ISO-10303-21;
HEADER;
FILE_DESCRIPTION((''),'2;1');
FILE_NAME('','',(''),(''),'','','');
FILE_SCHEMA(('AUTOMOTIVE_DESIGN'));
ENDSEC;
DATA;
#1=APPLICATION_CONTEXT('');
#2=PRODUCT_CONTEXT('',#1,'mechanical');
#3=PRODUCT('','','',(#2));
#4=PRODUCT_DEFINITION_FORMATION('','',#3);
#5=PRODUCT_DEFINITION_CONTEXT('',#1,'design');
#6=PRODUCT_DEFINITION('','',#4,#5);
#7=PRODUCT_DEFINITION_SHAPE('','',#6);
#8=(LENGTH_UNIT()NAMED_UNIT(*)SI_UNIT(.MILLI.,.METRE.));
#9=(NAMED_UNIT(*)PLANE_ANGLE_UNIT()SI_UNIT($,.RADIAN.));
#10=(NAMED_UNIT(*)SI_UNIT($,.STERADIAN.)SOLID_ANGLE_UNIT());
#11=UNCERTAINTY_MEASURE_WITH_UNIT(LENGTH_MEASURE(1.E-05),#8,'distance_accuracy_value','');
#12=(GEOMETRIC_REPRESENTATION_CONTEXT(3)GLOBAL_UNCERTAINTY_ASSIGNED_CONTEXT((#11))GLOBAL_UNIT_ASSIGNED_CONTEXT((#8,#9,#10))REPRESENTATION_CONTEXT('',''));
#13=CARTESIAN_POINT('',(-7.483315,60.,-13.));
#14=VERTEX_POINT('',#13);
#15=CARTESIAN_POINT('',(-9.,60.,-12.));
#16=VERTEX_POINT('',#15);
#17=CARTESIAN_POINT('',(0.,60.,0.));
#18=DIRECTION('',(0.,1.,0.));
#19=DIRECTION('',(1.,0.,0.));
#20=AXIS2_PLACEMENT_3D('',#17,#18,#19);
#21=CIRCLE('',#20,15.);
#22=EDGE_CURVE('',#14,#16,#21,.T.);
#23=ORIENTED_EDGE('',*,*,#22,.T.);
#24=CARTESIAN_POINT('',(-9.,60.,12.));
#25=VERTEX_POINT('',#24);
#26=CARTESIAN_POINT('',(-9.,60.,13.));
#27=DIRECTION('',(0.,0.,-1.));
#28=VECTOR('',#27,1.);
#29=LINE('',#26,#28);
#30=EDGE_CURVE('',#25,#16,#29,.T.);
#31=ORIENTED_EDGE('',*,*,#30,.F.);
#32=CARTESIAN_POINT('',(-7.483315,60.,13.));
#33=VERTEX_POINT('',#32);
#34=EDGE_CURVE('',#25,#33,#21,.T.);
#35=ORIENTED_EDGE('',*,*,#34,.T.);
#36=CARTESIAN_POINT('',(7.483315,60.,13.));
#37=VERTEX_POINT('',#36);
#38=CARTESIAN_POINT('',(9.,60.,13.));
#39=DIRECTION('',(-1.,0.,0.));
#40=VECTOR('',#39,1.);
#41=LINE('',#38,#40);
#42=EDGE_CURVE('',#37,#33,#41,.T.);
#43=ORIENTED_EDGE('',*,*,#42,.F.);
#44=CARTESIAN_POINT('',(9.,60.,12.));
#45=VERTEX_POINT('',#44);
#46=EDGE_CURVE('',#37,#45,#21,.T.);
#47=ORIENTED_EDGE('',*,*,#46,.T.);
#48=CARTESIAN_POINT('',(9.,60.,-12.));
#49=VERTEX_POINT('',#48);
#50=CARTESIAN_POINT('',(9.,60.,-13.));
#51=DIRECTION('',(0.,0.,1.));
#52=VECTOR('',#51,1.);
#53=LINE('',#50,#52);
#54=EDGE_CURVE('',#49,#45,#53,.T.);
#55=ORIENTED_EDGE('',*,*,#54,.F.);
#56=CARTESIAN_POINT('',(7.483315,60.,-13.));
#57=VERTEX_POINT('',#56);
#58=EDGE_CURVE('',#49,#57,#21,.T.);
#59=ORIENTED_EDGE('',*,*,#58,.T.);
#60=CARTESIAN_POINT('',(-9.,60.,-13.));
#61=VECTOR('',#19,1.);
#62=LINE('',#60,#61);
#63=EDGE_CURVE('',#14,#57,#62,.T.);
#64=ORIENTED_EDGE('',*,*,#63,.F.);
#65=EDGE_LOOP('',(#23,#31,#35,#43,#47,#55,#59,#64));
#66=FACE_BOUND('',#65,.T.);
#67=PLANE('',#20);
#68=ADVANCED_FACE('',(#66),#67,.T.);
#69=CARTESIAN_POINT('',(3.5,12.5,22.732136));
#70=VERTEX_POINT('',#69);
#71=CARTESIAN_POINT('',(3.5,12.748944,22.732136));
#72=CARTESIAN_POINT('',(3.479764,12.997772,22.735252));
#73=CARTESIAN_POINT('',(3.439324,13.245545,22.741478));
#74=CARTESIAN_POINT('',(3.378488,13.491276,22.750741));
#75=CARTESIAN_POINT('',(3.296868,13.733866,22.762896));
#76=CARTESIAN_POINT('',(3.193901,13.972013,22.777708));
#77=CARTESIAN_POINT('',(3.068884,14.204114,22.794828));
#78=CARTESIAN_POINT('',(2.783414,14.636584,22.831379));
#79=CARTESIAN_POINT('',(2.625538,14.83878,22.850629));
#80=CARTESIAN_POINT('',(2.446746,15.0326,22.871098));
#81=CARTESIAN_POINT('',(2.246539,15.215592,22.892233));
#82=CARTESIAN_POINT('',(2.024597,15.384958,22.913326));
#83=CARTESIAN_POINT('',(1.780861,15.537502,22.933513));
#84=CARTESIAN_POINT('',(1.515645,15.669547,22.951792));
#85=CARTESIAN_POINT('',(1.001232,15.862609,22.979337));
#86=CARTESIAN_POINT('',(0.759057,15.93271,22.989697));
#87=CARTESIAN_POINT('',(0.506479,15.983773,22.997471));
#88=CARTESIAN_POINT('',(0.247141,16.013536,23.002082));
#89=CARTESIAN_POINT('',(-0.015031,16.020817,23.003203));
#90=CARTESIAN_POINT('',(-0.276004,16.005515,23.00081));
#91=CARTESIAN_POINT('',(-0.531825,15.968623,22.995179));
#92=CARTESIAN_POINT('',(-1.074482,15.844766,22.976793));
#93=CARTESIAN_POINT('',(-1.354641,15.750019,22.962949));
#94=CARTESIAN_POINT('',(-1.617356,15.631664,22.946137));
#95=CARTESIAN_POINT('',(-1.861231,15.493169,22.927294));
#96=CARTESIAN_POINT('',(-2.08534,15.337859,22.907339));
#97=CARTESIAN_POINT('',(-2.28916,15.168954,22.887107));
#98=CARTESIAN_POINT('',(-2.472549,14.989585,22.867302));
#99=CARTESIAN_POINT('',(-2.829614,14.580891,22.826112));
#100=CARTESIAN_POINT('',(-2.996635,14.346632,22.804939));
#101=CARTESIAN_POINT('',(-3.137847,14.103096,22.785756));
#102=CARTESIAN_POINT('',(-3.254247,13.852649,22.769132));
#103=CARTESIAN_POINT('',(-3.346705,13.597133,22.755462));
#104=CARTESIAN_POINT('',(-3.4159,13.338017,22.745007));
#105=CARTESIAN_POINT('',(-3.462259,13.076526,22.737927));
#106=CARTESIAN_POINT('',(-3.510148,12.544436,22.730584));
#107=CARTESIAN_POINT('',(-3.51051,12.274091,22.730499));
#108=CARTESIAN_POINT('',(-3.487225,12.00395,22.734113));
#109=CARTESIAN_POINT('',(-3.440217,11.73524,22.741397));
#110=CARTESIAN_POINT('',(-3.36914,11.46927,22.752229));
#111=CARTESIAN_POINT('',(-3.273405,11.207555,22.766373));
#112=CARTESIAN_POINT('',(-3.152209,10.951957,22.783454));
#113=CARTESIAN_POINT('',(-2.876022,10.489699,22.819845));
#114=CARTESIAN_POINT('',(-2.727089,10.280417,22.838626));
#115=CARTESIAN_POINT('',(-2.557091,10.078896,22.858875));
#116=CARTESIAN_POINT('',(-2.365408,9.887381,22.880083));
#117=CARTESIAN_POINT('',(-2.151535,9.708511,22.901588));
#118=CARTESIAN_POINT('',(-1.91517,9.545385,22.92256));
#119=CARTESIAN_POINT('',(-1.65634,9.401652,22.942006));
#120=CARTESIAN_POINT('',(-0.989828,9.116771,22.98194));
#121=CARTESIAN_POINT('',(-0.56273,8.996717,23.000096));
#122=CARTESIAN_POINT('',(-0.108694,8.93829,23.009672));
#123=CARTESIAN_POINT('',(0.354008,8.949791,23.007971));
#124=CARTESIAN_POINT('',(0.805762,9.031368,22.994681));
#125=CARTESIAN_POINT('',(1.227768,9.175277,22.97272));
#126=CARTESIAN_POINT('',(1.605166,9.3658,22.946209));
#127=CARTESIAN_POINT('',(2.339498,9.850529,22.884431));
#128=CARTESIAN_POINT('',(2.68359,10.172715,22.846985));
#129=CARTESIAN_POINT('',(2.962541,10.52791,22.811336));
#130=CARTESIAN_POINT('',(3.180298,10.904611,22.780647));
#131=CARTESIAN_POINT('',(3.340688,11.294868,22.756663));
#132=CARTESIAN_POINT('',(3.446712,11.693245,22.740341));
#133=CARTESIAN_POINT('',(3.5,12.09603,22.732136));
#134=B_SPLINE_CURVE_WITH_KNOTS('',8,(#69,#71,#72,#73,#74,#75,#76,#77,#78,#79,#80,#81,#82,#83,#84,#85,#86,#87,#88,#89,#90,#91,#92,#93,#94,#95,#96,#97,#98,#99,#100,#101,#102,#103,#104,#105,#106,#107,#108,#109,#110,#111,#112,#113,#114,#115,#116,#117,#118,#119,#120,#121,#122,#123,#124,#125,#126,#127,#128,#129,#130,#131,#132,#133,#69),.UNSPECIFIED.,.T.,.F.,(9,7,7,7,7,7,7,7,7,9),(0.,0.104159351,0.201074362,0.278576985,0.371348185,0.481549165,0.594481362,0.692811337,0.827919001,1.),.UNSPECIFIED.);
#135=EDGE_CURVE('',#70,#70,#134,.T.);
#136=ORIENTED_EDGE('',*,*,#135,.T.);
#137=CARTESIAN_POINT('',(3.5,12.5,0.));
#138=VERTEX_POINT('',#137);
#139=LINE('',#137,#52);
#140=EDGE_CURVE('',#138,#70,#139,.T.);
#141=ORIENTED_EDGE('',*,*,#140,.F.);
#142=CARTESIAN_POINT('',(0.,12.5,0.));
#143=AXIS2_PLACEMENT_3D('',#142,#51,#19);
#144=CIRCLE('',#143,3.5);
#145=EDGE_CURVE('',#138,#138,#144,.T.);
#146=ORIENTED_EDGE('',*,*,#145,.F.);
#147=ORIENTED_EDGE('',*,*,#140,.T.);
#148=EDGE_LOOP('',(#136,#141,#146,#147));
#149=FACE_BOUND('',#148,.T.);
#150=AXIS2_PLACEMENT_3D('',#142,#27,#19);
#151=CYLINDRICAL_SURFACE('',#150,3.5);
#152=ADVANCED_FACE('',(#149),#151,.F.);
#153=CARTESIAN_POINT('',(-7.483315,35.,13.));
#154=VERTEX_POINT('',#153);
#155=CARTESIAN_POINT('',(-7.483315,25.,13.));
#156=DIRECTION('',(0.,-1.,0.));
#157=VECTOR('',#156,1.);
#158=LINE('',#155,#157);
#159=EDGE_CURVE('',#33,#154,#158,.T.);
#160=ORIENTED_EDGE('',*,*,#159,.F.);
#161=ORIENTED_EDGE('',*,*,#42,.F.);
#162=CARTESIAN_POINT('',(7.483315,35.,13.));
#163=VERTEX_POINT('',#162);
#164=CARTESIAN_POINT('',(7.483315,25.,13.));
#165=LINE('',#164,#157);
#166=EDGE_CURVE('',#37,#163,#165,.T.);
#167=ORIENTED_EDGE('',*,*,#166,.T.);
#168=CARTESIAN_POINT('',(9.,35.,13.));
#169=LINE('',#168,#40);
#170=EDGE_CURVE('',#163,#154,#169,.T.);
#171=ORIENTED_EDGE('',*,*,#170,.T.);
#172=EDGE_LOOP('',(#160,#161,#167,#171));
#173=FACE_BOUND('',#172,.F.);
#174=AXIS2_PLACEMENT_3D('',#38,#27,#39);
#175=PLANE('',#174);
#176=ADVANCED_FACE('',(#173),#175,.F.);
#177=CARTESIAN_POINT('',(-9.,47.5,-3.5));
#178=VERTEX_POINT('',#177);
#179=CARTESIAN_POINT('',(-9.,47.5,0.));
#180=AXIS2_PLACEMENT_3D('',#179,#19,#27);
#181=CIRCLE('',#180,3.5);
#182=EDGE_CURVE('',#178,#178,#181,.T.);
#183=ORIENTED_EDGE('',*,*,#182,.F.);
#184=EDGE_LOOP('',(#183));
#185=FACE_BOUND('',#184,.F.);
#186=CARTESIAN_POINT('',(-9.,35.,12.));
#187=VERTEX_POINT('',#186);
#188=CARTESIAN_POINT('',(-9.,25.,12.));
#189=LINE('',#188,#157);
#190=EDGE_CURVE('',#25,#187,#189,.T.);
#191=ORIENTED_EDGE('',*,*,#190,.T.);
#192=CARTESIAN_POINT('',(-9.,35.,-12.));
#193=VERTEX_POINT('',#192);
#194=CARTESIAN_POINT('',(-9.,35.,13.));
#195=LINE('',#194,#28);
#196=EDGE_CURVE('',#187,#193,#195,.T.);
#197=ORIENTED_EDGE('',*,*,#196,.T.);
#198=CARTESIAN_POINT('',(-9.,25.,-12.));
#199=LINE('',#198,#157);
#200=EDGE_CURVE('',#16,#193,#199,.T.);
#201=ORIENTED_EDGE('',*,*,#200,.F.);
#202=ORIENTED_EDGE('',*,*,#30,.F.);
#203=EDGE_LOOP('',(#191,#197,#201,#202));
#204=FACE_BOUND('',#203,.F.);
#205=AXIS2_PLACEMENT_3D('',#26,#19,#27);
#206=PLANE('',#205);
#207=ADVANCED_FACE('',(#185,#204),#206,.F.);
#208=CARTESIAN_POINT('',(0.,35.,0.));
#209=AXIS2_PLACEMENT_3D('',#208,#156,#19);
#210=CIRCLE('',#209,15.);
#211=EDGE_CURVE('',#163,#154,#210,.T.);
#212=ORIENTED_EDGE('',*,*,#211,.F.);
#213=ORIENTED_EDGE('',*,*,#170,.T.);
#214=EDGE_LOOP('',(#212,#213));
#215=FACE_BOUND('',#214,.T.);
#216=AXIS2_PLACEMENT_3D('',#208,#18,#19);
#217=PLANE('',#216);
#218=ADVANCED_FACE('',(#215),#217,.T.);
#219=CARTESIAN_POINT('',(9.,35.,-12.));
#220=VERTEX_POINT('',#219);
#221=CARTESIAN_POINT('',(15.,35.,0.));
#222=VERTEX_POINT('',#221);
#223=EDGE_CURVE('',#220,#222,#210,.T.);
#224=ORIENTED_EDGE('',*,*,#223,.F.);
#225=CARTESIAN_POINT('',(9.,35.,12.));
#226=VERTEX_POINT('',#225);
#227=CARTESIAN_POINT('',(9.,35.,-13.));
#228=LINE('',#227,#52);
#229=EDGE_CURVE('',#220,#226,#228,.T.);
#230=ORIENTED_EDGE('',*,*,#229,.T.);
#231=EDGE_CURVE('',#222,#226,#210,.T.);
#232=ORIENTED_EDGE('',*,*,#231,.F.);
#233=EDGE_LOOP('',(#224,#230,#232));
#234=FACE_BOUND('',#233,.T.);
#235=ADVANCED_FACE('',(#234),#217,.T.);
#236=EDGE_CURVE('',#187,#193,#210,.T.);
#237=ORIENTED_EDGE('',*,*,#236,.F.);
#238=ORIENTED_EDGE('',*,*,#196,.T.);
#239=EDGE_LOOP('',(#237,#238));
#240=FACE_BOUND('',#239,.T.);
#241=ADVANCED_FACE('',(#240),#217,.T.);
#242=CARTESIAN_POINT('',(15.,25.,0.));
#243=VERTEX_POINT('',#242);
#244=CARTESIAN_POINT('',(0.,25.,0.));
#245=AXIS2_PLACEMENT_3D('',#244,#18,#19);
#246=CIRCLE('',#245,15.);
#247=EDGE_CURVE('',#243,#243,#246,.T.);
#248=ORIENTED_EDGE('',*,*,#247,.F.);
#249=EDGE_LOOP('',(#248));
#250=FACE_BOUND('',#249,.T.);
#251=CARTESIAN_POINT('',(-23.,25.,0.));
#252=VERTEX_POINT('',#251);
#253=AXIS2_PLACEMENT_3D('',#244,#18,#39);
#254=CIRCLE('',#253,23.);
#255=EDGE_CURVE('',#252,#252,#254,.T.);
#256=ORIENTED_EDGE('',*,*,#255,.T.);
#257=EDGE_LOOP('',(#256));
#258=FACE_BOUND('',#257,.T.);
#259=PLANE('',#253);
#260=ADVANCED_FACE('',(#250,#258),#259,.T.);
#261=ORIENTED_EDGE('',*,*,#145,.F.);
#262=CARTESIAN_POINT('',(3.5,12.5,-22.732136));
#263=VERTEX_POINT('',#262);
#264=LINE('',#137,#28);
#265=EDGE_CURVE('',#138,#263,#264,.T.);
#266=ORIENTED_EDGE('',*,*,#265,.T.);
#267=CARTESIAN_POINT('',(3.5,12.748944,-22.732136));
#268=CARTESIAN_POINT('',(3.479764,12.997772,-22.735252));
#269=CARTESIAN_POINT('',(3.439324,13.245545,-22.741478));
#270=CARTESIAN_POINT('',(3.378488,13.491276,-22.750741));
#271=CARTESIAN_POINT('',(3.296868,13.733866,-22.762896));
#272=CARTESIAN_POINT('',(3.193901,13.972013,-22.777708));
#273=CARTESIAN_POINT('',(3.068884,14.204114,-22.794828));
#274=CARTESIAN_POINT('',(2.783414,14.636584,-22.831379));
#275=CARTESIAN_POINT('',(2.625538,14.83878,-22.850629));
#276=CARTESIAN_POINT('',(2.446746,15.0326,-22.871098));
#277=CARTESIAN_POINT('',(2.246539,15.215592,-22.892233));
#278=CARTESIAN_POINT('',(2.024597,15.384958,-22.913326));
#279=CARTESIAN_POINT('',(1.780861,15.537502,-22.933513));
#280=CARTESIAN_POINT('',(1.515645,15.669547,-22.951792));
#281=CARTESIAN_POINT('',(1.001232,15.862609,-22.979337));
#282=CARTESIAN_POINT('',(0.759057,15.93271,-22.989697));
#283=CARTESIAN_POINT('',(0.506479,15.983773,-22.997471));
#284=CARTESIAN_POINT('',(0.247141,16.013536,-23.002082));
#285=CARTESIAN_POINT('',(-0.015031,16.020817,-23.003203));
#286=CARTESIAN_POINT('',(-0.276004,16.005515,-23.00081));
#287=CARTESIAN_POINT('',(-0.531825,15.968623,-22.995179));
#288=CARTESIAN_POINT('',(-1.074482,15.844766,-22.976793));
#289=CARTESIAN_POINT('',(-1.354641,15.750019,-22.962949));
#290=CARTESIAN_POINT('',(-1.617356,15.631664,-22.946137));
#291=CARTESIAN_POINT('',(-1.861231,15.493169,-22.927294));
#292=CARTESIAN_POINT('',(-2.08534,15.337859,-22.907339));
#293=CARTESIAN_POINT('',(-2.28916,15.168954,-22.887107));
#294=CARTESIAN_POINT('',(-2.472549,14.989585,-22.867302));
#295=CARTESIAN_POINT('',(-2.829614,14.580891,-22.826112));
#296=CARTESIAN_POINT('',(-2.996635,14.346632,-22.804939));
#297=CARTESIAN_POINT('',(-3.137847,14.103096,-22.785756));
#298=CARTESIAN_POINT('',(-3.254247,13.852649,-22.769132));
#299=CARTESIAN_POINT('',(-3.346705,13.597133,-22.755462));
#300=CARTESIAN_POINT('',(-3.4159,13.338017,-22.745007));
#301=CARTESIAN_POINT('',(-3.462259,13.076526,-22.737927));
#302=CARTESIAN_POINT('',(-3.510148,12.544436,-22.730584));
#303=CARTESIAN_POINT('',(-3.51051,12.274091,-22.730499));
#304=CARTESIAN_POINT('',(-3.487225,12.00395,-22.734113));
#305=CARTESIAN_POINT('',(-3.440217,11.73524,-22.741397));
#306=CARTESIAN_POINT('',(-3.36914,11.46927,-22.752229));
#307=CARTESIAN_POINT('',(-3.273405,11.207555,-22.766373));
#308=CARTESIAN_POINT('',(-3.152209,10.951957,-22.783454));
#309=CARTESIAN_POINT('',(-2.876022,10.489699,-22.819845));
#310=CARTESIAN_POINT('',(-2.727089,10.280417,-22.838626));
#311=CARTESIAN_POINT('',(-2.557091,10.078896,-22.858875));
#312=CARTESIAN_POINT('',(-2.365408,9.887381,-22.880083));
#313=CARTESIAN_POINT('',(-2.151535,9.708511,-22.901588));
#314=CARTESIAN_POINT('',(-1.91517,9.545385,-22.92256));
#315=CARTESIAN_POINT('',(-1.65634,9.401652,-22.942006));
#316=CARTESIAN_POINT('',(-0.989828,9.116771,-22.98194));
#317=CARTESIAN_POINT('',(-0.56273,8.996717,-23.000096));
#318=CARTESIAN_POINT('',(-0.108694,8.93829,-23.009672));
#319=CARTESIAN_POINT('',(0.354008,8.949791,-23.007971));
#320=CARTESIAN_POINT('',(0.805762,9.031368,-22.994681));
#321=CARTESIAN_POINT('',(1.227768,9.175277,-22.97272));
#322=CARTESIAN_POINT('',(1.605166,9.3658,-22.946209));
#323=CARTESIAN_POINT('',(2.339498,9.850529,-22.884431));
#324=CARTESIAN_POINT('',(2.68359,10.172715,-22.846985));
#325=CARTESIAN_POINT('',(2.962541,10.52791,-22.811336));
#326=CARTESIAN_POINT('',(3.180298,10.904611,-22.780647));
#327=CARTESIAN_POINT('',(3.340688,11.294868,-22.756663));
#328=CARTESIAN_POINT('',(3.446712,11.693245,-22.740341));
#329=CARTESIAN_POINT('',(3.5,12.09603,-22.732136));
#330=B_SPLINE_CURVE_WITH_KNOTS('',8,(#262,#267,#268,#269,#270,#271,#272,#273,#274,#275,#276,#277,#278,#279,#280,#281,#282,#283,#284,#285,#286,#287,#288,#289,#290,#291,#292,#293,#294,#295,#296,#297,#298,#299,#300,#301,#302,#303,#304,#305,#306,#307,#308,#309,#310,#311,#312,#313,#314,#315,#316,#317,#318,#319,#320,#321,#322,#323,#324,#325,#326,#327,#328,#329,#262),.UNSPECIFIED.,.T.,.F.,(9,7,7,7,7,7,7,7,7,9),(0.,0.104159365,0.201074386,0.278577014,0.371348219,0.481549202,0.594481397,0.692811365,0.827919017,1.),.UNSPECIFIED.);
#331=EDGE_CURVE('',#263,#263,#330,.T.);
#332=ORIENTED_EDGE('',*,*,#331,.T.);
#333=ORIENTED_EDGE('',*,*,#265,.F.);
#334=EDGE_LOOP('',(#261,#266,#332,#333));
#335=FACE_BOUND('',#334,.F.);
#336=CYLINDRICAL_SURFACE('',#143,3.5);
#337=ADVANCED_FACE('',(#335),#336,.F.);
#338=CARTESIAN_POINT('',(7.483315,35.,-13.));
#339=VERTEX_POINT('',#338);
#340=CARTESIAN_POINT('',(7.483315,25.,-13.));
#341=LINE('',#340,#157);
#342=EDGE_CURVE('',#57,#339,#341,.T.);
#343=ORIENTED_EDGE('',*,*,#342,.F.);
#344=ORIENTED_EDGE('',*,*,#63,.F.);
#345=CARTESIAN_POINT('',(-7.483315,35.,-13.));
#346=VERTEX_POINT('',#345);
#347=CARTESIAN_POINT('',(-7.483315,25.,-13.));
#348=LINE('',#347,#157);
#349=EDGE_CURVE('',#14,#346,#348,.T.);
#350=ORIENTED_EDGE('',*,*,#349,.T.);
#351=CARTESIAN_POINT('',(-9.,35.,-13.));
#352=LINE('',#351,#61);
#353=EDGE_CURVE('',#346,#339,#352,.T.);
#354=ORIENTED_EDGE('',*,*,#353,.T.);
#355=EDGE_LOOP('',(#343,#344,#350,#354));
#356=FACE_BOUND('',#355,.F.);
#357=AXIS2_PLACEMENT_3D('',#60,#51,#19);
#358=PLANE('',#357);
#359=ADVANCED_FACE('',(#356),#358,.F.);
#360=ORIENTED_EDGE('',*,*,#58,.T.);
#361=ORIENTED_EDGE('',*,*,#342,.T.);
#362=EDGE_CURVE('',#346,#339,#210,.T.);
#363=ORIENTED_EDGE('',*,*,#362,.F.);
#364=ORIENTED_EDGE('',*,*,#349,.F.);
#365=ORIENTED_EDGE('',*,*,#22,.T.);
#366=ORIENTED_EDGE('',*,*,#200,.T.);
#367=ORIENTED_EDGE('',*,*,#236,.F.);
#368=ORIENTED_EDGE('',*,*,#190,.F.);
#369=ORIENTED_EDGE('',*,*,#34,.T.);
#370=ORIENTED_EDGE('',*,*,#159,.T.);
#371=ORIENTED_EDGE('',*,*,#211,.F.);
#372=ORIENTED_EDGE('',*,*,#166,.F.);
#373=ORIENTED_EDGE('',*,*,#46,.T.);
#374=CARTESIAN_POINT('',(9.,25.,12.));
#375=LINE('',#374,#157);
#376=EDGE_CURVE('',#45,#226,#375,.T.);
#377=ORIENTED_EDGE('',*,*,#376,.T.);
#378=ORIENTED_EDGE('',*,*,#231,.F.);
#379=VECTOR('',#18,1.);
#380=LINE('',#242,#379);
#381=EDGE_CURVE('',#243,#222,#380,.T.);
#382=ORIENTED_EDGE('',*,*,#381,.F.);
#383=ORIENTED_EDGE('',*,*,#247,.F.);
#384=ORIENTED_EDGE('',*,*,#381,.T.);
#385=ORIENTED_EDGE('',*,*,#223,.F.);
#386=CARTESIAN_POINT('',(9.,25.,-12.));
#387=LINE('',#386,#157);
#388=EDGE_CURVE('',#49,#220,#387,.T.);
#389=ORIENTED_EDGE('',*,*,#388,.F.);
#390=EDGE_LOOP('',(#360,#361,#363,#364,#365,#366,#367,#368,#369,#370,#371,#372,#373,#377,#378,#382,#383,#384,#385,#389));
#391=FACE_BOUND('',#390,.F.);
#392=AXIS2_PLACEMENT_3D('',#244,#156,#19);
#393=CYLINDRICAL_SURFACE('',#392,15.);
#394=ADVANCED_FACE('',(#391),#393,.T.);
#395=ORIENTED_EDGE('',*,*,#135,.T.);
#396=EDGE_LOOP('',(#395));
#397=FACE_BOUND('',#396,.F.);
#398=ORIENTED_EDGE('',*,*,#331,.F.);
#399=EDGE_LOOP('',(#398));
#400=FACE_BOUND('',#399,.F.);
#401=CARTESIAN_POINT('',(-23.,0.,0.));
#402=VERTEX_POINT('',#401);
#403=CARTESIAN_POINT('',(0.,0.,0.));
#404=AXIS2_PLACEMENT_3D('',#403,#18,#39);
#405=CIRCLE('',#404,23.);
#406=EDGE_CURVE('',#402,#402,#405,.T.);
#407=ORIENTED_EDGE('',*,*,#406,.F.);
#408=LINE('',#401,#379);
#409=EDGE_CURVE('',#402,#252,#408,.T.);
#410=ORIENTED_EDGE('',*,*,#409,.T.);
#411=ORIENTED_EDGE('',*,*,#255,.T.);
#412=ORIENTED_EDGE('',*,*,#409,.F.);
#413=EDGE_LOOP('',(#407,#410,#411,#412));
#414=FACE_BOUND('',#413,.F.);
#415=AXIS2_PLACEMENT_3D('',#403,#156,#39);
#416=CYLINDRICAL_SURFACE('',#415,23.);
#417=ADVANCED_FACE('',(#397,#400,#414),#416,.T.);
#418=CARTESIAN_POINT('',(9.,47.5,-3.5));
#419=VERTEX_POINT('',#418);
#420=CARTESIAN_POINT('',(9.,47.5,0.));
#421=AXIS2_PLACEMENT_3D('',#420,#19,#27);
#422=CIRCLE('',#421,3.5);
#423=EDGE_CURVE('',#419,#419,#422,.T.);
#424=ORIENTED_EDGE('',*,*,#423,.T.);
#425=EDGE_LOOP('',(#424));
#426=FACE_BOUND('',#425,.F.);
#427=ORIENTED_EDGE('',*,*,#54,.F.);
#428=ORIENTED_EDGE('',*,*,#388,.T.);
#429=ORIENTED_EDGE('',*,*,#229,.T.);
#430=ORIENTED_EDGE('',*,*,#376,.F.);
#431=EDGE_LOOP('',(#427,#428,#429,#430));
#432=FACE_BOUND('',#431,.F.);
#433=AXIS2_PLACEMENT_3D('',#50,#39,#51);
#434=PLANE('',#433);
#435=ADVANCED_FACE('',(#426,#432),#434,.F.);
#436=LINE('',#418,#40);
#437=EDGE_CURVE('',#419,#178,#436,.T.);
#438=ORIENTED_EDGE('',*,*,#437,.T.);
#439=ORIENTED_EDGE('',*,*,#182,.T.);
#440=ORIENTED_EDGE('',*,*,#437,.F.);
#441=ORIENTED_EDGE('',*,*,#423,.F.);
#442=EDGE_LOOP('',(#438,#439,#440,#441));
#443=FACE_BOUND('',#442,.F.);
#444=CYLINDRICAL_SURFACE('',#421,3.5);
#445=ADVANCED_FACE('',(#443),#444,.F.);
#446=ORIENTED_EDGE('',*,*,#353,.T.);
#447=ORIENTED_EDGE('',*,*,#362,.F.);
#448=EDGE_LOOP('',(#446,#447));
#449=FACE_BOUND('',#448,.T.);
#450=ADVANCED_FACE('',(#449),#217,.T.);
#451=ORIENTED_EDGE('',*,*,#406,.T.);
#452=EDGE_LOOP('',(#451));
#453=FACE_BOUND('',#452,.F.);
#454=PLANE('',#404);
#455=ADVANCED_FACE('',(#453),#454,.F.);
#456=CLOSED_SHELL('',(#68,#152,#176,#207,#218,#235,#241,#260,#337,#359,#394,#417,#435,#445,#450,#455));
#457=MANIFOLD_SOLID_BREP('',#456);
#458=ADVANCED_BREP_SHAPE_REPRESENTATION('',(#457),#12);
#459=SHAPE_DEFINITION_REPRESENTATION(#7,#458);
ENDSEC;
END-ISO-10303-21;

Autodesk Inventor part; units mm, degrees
ref_plane "YZ Plane" through (0, 0, 0) normal (1, 0, 0) x (0, 1, 0)
ref_plane "XZ Plane" through (0, 0, 0) normal (0, 1, 0) x (-1, 0, 0)
ref_plane "XY Plane" through (0, 0, 0) normal (0, 0, 1) x (1, 0, 0)
sketch "Эскиз1" plane through (0, 0, 0) normal (0, 1, 0) x (-1, 0, 0)
  circle A0 centre (0, 0) radius 23
  dimension "d0" = 46
extrude "Выдавливание1" add sketch "Эскиз1" along normal blind 25
sketch "Эскиз2" plane through (0, 25, 0) normal (0, 1, 0) x (1, 0, 0)
  circle A0 centre (0, 0) radius 15
  dimension "d3" = 30
extrude "Выдавливание2" add sketch "Эскиз2" along normal blind 35
sketch "Эскиз3" plane through (0, 60, 0) normal (0, 1, 0) x (1, 0, 0)
  line L0 (9, -13) -> (-9, -13)
  line L1 (-9, -13) -> (-9, 13)
  line L2 (-9, 13) -> (9, 13)
  line L3 (9, 13) -> (9, -13)
  line L4 (9, -13) -> (-9, 13) construction
  line L5 (-9, -13) -> (9, 13) construction
  circle A0 centre (0, 0) radius 23 projected
  dimension "d6" = 26
  dimension "d7" = 18
extrude "Выдавливание3" cut sketch "Эскиз3" against normal blind 25
sketch "Эскиз4" plane through (9, 60, 12) normal (1, 0, 0) x (0, 0, -1)
  circle A0 centre (12, -12.5) radius 3.5
  line L0 (0, -25) -> (24, -25) projected
  point P0 (12, -60)
  dimension "d10" = 7
  dimension "d11" = 12.5
extrude "Выдавливание4" cut sketch "Эскиз4" along normal through all both and the other way through all
sketch "Эскиз5" plane through (0, 0, 0) normal (0, 0, 1) x (1, 0, 0)
  circle A0 centre (0, 12.5) radius 3.5
  point P0 (0, 0)
  dimension "d14" = 7
  dimension "d15" = 12.5
extrude "Выдавливание5" cut sketch "Эскиз5" along normal through all both and the other way through all
properties part number "ДЗ2-1"
